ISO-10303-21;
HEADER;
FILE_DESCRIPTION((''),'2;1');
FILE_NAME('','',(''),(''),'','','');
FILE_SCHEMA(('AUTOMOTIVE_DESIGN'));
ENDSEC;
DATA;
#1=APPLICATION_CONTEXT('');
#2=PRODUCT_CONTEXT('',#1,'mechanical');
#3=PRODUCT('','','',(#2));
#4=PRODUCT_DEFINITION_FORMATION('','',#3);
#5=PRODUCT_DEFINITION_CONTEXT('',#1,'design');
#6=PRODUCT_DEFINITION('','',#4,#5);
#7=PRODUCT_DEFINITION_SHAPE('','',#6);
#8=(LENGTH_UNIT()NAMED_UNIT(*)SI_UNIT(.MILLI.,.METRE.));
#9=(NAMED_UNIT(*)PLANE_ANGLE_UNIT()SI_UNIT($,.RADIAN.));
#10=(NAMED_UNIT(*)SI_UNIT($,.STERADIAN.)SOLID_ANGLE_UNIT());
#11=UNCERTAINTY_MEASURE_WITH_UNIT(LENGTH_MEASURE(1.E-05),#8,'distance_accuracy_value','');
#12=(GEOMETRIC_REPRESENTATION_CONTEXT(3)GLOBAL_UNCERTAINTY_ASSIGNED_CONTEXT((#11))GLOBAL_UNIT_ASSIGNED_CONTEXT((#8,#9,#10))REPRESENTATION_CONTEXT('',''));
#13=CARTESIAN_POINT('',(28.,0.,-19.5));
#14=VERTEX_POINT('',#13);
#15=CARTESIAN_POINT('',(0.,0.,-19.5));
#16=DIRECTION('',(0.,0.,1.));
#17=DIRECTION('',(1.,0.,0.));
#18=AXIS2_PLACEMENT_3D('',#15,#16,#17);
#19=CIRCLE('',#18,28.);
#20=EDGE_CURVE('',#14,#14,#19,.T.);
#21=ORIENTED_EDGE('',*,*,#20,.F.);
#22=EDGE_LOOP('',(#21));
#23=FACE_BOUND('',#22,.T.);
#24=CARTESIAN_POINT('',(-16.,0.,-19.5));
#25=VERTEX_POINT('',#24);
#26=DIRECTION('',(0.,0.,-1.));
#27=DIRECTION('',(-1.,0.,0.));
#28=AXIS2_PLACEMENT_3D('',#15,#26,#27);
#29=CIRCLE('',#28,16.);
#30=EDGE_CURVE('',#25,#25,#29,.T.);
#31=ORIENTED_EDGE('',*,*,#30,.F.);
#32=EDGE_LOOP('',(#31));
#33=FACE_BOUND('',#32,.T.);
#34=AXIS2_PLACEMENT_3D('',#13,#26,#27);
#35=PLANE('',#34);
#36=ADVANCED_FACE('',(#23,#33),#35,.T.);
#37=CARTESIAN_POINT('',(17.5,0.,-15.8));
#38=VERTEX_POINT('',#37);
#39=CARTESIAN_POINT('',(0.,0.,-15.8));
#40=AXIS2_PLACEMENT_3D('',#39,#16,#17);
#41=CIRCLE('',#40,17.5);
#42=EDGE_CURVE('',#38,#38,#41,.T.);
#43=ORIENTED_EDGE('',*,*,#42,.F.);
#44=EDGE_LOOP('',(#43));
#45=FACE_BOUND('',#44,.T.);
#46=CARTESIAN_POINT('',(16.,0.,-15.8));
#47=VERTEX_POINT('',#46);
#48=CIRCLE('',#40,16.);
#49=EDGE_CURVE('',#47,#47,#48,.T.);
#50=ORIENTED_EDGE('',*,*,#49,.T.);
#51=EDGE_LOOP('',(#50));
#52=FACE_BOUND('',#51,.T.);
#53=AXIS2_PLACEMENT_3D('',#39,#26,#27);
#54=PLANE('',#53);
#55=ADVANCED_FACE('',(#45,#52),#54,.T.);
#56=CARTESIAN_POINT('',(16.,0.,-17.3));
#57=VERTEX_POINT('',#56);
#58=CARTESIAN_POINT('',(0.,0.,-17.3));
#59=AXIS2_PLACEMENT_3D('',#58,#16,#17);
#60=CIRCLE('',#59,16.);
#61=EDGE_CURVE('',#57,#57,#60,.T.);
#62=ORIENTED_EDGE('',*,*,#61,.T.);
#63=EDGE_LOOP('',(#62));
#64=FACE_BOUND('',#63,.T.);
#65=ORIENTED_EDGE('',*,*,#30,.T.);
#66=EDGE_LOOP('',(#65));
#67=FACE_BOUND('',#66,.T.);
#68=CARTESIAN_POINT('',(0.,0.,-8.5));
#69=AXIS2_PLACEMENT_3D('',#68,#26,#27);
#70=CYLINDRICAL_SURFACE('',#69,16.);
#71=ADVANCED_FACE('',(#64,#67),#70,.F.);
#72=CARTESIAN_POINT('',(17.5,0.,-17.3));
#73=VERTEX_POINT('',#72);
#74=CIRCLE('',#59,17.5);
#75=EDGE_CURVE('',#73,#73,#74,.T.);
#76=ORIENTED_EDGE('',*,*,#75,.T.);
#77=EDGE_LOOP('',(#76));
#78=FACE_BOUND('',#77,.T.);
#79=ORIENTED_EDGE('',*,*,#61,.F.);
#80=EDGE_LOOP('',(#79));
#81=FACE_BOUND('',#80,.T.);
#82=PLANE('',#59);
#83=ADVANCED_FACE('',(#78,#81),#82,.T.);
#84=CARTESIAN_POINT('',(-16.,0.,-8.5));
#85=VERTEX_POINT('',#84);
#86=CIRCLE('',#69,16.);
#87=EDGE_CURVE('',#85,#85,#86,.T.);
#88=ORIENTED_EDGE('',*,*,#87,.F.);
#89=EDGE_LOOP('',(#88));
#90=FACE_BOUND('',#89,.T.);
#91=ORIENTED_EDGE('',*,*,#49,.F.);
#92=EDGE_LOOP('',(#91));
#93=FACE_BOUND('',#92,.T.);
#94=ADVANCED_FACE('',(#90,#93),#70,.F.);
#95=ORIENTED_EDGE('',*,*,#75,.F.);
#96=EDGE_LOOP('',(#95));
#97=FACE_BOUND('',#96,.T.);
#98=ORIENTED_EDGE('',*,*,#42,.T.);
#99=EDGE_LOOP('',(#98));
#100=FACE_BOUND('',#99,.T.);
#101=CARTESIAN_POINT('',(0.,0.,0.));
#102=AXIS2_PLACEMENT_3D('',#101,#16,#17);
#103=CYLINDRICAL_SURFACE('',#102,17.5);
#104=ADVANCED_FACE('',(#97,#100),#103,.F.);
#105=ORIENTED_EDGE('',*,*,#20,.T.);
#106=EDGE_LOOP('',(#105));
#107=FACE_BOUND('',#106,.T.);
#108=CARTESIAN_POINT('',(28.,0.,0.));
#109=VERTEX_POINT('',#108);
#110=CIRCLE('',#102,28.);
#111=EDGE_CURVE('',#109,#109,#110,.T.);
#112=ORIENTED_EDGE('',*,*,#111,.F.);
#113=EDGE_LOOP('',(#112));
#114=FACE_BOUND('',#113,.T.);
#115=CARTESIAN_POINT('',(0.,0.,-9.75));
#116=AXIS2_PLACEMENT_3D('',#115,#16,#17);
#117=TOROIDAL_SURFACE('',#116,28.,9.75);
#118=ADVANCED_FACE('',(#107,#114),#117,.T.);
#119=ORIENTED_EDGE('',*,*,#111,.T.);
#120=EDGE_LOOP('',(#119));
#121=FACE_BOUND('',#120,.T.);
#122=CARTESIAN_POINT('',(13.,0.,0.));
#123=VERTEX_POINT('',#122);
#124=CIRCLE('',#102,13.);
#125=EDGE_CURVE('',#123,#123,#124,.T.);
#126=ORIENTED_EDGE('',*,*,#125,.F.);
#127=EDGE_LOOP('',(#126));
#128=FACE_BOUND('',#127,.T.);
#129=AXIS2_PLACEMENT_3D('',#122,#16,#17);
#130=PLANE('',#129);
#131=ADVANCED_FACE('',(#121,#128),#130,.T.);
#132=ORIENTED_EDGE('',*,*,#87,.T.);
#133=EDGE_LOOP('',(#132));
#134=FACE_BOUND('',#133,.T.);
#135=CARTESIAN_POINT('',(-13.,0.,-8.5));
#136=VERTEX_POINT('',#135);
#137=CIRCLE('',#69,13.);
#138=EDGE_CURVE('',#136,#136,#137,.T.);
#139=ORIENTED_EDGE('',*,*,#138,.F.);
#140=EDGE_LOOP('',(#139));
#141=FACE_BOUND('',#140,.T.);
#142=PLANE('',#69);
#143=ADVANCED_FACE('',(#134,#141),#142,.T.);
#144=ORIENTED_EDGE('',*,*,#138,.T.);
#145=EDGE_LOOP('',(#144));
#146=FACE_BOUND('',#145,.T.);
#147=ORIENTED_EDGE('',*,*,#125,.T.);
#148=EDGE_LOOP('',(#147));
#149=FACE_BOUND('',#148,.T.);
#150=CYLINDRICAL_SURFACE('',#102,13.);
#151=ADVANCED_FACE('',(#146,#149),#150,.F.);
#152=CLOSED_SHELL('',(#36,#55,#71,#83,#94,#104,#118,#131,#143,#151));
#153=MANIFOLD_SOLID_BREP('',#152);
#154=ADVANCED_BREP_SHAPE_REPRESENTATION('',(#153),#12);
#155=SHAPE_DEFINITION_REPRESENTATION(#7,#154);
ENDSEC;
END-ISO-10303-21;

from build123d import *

# Parameters (mm, degrees)
SKETCH_2_R          = 16
CUT_EXTRUDE_1_DEPTH = 11
SKETCH_3_W          = 1.5
SKETCH_3_H          = 1.5


with BuildPart() as part:
    # 草图1 → 旋转1 (revolve)
    with BuildSketch(Plane(origin=(0, 0, 0), x_dir=(1, 0, 0), z_dir=(0, 1, 0))):
        with BuildLine():
            Line((13, 0), (28, 0))
            ThreePointArc((28, 0), (37.75, 9.75), (28, 19.5))
            Line((28, 19.5), (13, 19.5))
            Line((13, 19.5), (13, 0))
        make_face()
    revolve(axis=Axis((0, 0, 0), (0, 0, -1)))

    # 草图2 → 切除-拉伸1 (cut)
    with BuildSketch(Plane(origin=(0, 0, -19.5), x_dir=(-1, 0, 0), z_dir=(0, 0, -1))):
        Circle(SKETCH_2_R)
    extrude(amount=-CUT_EXTRUDE_1_DEPTH, mode=Mode.SUBTRACT)

    # 草图3 → 切除-旋转1 (revolve, cut)
    with BuildSketch(Plane(origin=(0, 0, 0), x_dir=(1, 0, 0), z_dir=(0, 1, 0)), mode=Mode.PRIVATE) as cut_revolve_1_sk:
        with Locations((16.75, 16.55)):
            Rectangle(SKETCH_3_W, SKETCH_3_H)
    revolve(cut_revolve_1_sk.sketch.rotate(Axis((0, 0, 0), (0, 0, -1)), 180), axis=Axis((0, 0, 0), (0, 0, -1)), mode=Mode.SUBTRACT)


solid = part.part
